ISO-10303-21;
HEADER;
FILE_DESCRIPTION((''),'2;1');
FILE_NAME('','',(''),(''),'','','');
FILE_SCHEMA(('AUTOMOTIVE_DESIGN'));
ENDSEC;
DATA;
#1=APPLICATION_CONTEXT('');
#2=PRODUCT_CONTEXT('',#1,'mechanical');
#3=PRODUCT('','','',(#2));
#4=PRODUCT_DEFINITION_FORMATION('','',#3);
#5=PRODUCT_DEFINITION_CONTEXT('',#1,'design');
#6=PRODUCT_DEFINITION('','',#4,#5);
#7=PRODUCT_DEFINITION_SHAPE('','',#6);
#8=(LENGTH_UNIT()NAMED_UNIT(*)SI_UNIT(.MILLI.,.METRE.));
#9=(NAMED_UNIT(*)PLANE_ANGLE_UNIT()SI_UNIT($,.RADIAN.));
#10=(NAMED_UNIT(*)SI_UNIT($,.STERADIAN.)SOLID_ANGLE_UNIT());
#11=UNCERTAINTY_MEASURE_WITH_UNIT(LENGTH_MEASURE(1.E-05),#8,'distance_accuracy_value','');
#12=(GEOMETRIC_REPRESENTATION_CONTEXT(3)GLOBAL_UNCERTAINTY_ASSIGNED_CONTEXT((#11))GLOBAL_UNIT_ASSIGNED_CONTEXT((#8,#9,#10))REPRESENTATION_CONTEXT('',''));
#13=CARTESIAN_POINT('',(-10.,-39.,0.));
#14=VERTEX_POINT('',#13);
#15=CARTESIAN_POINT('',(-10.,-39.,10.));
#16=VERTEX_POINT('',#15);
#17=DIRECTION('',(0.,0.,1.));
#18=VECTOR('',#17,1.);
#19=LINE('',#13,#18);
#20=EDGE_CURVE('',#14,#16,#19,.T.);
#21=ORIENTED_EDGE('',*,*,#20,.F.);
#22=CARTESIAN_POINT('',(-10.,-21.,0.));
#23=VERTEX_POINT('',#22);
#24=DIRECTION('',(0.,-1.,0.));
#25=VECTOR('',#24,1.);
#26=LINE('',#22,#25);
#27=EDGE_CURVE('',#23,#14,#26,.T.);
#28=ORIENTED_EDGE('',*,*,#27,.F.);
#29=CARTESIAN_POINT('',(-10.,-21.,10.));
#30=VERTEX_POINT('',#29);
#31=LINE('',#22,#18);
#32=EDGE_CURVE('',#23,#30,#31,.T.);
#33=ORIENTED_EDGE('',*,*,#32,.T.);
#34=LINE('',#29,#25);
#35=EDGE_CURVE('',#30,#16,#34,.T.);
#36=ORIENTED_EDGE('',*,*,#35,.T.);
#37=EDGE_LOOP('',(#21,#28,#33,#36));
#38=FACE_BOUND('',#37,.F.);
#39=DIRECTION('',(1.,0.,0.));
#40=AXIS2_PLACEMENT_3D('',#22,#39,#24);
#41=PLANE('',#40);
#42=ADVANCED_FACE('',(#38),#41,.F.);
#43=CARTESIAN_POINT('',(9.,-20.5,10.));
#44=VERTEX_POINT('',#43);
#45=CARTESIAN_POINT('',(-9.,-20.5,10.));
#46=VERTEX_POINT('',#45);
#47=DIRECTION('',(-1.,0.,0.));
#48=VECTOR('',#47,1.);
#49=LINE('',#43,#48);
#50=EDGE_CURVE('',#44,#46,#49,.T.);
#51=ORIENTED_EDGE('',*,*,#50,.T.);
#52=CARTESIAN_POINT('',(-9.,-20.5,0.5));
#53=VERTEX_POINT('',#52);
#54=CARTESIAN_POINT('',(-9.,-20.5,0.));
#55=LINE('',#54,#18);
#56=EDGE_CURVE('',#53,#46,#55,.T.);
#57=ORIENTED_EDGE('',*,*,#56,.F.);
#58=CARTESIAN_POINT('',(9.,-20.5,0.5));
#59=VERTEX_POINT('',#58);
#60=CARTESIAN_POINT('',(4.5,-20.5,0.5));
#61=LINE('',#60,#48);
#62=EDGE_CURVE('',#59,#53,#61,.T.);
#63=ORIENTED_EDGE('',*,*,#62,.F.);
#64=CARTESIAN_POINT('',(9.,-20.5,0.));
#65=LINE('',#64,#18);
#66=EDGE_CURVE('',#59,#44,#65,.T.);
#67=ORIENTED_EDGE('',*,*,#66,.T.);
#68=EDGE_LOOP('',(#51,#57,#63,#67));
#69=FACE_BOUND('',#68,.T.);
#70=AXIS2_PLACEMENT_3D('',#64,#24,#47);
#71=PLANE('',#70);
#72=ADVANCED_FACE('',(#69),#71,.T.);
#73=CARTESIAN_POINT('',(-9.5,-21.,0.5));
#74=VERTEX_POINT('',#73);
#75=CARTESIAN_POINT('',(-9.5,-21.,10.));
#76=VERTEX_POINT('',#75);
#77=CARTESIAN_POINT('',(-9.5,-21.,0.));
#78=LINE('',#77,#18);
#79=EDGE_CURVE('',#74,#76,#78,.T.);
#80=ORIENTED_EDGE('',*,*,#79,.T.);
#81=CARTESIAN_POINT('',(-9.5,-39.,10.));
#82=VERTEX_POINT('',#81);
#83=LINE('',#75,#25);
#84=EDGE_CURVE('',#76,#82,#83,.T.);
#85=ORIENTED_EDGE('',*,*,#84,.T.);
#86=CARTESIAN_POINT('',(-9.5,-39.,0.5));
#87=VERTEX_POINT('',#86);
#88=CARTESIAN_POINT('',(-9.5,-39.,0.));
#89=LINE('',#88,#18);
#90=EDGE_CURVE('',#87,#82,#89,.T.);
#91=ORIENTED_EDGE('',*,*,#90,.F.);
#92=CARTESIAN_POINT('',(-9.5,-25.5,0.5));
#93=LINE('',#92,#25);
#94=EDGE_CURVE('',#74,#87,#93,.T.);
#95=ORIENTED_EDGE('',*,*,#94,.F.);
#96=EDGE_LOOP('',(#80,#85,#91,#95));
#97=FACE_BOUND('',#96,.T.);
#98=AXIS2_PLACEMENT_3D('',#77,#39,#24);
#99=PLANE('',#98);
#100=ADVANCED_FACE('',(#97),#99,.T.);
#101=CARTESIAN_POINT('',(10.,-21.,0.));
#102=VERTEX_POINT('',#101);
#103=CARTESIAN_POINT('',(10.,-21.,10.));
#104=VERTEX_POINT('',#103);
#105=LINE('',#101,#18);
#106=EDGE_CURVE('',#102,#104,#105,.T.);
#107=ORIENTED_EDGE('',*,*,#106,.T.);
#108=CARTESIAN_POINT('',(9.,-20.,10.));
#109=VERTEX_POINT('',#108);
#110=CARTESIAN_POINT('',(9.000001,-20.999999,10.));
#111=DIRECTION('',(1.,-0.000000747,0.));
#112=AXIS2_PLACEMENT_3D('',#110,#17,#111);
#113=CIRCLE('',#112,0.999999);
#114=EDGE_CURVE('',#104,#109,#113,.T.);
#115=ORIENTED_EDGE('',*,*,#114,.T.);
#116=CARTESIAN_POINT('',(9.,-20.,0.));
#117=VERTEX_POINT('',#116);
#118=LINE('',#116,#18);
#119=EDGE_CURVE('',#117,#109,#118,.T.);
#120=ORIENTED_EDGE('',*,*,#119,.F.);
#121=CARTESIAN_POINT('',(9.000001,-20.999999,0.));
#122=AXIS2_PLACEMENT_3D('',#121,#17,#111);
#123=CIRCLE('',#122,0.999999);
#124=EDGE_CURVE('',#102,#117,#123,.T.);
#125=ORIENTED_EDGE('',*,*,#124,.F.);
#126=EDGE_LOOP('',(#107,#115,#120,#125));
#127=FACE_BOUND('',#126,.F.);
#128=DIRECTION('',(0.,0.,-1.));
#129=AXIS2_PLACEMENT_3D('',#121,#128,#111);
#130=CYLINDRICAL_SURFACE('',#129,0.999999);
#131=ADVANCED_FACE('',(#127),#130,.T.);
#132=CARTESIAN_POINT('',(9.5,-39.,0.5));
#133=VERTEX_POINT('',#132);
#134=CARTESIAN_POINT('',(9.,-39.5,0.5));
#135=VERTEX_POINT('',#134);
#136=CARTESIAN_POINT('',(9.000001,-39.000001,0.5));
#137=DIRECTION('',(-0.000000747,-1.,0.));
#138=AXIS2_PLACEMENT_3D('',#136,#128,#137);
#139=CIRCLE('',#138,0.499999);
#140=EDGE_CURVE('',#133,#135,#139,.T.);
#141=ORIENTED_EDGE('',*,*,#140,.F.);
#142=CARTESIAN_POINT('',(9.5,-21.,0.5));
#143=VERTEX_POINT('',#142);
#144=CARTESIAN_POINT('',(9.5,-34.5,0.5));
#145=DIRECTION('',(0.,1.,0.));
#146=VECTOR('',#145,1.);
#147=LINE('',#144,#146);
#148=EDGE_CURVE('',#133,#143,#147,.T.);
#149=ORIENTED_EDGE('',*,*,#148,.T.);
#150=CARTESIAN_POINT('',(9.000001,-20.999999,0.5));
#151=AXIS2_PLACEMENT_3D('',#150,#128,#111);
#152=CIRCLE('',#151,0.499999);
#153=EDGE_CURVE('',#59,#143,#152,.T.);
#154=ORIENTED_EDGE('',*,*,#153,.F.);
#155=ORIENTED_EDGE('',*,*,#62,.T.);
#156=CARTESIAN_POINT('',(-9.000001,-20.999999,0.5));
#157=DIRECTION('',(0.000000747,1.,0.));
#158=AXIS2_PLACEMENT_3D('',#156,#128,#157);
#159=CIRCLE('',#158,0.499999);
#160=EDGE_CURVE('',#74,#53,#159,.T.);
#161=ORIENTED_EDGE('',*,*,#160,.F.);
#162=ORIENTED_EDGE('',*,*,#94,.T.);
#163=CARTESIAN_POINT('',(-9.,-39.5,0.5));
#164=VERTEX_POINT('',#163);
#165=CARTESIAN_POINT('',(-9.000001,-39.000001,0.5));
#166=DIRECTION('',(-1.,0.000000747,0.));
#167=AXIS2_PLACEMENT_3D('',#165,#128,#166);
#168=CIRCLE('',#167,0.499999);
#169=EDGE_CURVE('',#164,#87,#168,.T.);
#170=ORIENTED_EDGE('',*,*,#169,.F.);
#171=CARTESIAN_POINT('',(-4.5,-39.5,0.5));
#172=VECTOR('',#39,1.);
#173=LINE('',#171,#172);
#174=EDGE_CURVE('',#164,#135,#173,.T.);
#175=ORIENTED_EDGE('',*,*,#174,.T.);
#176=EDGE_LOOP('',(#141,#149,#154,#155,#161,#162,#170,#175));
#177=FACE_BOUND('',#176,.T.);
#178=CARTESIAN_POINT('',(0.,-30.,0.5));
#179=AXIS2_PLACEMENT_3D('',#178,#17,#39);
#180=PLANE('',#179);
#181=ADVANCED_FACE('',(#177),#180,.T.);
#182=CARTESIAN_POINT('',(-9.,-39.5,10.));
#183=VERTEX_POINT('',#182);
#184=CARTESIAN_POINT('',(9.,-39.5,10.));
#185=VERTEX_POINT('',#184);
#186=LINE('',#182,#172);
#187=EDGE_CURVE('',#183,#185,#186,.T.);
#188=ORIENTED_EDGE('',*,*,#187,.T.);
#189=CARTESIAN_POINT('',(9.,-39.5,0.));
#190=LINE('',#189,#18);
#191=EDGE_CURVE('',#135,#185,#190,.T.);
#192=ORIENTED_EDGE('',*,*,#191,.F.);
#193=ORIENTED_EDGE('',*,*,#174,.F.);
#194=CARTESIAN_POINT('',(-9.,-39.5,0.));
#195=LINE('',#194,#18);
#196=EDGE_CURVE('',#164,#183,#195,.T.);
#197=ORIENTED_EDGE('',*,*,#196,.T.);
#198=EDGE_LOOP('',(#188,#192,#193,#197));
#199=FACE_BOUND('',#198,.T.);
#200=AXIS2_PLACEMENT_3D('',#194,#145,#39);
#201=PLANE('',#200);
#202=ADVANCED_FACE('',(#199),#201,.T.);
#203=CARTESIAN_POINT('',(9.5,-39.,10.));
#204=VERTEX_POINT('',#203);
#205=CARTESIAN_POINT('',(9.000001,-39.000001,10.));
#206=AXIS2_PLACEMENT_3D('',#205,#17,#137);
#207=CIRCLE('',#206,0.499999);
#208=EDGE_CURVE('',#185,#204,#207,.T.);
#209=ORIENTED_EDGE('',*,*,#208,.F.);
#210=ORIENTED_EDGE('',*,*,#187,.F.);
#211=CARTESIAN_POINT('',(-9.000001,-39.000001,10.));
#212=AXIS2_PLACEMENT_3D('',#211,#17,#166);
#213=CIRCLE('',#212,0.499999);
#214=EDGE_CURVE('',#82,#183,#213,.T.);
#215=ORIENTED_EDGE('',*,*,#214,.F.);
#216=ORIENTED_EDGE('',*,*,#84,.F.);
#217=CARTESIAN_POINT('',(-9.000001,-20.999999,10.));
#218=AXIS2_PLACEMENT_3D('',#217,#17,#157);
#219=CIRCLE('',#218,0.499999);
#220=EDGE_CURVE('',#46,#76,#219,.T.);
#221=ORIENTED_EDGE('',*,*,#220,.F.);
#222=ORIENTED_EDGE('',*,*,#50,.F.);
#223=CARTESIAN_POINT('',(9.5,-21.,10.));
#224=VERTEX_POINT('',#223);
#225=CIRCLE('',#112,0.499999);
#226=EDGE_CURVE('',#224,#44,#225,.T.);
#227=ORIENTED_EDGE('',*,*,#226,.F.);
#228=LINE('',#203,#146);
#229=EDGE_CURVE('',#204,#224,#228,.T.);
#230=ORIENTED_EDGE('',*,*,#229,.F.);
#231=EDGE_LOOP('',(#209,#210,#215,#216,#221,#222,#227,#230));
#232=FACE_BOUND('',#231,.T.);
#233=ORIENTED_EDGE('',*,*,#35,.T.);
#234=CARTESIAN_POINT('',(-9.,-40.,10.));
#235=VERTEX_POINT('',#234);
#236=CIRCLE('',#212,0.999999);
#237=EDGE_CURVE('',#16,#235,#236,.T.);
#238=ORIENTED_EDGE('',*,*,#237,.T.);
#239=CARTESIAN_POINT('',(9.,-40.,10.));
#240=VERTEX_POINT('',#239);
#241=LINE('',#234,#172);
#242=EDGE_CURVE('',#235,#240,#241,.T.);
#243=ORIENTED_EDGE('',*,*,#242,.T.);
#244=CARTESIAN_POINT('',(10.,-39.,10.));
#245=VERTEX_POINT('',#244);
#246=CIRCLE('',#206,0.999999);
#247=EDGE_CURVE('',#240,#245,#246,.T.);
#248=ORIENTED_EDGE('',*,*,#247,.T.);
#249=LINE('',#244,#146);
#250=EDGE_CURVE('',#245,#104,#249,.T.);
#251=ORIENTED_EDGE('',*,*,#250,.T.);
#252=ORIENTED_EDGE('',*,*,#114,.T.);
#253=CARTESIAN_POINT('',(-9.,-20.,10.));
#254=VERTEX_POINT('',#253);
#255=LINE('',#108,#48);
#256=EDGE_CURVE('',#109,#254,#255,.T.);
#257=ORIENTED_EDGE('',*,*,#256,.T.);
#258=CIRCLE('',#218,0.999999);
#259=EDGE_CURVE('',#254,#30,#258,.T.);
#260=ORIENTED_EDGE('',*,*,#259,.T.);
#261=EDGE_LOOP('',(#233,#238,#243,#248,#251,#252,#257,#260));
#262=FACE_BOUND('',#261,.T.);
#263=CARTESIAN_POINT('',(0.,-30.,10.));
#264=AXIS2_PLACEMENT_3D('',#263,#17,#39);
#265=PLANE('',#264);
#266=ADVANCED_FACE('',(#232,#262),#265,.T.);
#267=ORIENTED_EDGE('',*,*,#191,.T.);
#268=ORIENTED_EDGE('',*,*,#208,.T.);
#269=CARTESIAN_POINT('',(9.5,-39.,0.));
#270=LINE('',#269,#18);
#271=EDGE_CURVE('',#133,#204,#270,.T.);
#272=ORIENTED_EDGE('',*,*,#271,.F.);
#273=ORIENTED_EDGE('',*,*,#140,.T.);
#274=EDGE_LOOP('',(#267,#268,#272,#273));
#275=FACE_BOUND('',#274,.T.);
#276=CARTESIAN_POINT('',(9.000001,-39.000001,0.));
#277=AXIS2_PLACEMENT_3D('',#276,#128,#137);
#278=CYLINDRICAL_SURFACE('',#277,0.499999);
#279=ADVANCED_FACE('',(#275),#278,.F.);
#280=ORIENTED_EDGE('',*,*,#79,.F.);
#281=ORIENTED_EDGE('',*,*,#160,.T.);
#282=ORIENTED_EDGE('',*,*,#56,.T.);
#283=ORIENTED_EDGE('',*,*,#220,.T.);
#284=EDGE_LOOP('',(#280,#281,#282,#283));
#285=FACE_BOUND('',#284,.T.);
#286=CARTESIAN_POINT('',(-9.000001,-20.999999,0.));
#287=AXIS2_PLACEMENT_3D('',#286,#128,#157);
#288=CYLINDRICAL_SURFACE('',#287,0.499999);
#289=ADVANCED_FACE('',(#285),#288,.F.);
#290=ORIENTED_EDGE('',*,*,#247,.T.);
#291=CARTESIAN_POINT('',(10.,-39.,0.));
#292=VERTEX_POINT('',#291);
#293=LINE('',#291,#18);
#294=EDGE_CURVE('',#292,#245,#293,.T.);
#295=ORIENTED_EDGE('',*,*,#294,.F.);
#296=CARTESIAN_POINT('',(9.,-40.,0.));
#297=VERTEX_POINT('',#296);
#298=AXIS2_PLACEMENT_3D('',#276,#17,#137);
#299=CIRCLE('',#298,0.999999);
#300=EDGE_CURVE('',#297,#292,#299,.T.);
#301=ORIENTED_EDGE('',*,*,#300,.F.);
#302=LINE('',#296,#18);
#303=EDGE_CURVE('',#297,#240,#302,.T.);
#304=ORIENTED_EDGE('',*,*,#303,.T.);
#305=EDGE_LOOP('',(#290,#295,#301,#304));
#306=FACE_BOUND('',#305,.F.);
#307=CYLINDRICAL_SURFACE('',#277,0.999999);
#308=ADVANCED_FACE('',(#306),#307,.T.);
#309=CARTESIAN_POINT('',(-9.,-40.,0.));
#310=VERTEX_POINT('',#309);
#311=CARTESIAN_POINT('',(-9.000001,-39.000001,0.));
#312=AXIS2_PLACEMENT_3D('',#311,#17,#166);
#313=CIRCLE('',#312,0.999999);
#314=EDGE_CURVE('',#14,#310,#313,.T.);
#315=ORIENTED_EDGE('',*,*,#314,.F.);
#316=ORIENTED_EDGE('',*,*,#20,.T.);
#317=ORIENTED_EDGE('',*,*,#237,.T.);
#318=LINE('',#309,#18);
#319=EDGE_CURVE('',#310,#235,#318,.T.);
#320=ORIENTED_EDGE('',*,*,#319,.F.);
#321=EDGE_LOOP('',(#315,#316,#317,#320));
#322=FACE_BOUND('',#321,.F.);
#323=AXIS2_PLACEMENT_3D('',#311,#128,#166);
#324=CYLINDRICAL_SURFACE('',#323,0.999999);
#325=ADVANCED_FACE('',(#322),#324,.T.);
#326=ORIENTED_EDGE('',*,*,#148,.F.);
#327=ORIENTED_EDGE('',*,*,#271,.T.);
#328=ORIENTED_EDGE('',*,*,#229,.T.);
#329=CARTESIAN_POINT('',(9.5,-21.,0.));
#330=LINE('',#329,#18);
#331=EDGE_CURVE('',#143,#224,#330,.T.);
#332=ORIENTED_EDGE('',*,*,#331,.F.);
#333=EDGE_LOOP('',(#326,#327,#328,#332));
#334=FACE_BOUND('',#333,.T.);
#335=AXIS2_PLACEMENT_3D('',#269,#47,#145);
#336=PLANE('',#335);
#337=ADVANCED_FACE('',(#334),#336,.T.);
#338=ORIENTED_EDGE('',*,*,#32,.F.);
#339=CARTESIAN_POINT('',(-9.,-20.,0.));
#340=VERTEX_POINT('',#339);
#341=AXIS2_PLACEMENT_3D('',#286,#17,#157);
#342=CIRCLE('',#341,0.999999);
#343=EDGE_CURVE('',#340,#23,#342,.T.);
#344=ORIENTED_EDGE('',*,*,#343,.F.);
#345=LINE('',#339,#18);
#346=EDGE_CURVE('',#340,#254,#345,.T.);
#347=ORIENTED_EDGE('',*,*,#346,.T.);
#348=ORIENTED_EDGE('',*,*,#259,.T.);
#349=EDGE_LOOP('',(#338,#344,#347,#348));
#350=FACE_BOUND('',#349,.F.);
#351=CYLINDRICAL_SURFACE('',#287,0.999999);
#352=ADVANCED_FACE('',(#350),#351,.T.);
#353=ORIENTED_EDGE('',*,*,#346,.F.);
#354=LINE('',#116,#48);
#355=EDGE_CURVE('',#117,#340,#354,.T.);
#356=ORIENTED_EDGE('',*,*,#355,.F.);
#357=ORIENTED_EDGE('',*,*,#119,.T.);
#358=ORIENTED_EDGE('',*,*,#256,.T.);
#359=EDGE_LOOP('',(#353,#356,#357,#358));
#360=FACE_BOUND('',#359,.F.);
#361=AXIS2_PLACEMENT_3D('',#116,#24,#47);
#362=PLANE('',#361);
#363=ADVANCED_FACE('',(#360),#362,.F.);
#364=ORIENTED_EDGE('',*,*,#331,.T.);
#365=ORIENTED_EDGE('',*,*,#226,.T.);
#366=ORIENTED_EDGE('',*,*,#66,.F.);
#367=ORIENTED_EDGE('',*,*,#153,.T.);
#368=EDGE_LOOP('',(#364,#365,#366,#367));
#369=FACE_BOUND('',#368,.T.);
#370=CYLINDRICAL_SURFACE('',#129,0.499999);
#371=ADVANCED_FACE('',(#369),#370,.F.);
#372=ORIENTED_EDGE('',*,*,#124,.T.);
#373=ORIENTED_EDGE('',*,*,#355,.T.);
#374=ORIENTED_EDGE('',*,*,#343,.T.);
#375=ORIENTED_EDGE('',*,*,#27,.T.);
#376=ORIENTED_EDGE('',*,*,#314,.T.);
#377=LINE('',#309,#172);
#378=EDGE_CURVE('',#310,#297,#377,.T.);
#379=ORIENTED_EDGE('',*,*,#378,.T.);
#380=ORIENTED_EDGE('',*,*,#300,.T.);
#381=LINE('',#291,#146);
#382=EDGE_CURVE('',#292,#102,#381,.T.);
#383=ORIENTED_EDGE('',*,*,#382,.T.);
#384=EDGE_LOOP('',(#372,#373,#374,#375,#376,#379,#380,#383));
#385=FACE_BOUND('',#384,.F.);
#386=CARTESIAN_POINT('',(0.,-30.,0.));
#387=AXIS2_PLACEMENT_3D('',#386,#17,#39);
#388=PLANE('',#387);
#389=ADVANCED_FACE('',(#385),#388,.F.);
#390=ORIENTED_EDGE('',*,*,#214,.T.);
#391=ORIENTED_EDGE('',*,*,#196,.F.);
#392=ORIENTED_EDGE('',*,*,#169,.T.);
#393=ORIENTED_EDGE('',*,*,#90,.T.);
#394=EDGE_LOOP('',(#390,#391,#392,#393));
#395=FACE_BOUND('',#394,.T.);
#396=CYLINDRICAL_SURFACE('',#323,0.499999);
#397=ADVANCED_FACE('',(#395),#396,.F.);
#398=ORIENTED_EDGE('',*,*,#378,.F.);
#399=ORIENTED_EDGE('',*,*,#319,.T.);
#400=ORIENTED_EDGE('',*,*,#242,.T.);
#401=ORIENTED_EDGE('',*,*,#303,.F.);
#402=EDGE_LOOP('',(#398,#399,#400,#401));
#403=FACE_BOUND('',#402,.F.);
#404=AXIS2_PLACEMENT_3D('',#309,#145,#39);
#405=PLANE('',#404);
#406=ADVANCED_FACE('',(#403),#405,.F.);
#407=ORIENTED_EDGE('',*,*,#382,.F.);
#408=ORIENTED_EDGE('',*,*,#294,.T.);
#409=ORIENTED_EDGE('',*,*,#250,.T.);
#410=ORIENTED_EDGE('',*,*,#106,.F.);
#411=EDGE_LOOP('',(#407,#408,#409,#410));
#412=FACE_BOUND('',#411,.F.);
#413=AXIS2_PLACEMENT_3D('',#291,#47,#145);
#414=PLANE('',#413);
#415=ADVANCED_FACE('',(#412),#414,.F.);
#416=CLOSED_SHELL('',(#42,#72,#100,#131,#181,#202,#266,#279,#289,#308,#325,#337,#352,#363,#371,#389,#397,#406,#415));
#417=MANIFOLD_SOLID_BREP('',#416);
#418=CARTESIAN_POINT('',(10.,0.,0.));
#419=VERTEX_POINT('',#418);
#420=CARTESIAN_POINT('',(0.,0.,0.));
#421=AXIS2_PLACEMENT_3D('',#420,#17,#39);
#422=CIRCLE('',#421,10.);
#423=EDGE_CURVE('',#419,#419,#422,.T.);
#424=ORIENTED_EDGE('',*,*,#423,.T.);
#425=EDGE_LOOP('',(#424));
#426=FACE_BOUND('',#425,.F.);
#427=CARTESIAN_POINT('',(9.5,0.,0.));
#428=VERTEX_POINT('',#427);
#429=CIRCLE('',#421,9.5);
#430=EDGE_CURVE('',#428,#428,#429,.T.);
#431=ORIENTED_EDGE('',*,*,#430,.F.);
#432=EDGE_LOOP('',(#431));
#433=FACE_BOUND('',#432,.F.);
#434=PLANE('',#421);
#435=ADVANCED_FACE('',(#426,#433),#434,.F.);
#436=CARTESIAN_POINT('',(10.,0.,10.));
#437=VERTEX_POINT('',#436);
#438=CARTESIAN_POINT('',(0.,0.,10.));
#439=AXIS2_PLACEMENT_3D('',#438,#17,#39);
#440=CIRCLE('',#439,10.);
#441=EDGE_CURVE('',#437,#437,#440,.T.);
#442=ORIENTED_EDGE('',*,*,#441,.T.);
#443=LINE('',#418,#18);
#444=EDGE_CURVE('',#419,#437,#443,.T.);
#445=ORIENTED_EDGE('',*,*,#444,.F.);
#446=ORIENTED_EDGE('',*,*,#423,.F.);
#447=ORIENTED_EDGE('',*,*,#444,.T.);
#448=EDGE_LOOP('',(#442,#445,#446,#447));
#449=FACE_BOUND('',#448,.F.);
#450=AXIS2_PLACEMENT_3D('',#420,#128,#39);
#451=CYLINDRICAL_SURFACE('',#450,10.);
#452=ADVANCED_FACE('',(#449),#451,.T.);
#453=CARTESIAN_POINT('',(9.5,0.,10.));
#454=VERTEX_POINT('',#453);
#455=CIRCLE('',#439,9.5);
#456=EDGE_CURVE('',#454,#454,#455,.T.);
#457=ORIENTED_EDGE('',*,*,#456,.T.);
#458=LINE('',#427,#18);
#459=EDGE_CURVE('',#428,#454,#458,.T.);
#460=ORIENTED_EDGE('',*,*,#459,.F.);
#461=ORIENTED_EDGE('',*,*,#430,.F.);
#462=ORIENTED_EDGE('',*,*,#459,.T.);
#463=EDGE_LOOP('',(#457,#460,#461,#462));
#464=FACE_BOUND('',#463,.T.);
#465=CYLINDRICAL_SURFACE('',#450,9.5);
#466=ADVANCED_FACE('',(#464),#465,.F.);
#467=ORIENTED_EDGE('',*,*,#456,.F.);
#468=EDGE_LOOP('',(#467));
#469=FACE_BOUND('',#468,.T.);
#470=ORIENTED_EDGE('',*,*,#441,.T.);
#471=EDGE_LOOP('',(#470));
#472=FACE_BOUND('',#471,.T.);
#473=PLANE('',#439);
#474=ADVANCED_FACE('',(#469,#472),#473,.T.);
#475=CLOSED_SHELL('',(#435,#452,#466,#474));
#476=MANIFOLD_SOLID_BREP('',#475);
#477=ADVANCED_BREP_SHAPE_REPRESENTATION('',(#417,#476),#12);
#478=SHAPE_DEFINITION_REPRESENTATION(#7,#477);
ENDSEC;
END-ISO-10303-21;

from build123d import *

# Parameters (mm, degrees)
F0_R     = 10
F0_R_2   = 9.5
F1_DEPTH = 10
F3_DEPTH = 10
F4_T     = -0.5


with BuildPart() as f1:
    # F0 (on Top) → F1 (new body)
    with BuildSketch(Plane.XY):
        Circle(F0_R)
        Circle(F0_R_2, mode=Mode.SUBTRACT)
    extrude(amount=F1_DEPTH)


with BuildPart() as f3:
    # F2 (on Top) → F3 (new body)
    with BuildSketch(Plane.XY):
        with BuildLine():
            Line((-9, -40), (9, -40))
            ThreePointArc((9, -40), (9.707107, -39.707107), (10, -39))
            Line((10, -39), (10, -21))
            ThreePointArc((10, -21), (9.707107, -20.292893), (9, -20))
            Line((9, -20), (-9, -20))
            ThreePointArc((-9, -20), (-9.707107, -20.292893), (-10, -21))
            Line((-10, -21), (-10, -39))
            ThreePointArc((-10, -39), (-9.707107, -39.707107), (-9, -40))
        make_face()
    extrude(amount=F3_DEPTH)

    # F4
    f4_openings = [f3.faces().sort_by_distance(p)[0] for p in [
        (0, -30, 10),
    ]]
    offset(amount=F4_T, openings=f4_openings)


solid = Compound([f1.part, f3.part])
